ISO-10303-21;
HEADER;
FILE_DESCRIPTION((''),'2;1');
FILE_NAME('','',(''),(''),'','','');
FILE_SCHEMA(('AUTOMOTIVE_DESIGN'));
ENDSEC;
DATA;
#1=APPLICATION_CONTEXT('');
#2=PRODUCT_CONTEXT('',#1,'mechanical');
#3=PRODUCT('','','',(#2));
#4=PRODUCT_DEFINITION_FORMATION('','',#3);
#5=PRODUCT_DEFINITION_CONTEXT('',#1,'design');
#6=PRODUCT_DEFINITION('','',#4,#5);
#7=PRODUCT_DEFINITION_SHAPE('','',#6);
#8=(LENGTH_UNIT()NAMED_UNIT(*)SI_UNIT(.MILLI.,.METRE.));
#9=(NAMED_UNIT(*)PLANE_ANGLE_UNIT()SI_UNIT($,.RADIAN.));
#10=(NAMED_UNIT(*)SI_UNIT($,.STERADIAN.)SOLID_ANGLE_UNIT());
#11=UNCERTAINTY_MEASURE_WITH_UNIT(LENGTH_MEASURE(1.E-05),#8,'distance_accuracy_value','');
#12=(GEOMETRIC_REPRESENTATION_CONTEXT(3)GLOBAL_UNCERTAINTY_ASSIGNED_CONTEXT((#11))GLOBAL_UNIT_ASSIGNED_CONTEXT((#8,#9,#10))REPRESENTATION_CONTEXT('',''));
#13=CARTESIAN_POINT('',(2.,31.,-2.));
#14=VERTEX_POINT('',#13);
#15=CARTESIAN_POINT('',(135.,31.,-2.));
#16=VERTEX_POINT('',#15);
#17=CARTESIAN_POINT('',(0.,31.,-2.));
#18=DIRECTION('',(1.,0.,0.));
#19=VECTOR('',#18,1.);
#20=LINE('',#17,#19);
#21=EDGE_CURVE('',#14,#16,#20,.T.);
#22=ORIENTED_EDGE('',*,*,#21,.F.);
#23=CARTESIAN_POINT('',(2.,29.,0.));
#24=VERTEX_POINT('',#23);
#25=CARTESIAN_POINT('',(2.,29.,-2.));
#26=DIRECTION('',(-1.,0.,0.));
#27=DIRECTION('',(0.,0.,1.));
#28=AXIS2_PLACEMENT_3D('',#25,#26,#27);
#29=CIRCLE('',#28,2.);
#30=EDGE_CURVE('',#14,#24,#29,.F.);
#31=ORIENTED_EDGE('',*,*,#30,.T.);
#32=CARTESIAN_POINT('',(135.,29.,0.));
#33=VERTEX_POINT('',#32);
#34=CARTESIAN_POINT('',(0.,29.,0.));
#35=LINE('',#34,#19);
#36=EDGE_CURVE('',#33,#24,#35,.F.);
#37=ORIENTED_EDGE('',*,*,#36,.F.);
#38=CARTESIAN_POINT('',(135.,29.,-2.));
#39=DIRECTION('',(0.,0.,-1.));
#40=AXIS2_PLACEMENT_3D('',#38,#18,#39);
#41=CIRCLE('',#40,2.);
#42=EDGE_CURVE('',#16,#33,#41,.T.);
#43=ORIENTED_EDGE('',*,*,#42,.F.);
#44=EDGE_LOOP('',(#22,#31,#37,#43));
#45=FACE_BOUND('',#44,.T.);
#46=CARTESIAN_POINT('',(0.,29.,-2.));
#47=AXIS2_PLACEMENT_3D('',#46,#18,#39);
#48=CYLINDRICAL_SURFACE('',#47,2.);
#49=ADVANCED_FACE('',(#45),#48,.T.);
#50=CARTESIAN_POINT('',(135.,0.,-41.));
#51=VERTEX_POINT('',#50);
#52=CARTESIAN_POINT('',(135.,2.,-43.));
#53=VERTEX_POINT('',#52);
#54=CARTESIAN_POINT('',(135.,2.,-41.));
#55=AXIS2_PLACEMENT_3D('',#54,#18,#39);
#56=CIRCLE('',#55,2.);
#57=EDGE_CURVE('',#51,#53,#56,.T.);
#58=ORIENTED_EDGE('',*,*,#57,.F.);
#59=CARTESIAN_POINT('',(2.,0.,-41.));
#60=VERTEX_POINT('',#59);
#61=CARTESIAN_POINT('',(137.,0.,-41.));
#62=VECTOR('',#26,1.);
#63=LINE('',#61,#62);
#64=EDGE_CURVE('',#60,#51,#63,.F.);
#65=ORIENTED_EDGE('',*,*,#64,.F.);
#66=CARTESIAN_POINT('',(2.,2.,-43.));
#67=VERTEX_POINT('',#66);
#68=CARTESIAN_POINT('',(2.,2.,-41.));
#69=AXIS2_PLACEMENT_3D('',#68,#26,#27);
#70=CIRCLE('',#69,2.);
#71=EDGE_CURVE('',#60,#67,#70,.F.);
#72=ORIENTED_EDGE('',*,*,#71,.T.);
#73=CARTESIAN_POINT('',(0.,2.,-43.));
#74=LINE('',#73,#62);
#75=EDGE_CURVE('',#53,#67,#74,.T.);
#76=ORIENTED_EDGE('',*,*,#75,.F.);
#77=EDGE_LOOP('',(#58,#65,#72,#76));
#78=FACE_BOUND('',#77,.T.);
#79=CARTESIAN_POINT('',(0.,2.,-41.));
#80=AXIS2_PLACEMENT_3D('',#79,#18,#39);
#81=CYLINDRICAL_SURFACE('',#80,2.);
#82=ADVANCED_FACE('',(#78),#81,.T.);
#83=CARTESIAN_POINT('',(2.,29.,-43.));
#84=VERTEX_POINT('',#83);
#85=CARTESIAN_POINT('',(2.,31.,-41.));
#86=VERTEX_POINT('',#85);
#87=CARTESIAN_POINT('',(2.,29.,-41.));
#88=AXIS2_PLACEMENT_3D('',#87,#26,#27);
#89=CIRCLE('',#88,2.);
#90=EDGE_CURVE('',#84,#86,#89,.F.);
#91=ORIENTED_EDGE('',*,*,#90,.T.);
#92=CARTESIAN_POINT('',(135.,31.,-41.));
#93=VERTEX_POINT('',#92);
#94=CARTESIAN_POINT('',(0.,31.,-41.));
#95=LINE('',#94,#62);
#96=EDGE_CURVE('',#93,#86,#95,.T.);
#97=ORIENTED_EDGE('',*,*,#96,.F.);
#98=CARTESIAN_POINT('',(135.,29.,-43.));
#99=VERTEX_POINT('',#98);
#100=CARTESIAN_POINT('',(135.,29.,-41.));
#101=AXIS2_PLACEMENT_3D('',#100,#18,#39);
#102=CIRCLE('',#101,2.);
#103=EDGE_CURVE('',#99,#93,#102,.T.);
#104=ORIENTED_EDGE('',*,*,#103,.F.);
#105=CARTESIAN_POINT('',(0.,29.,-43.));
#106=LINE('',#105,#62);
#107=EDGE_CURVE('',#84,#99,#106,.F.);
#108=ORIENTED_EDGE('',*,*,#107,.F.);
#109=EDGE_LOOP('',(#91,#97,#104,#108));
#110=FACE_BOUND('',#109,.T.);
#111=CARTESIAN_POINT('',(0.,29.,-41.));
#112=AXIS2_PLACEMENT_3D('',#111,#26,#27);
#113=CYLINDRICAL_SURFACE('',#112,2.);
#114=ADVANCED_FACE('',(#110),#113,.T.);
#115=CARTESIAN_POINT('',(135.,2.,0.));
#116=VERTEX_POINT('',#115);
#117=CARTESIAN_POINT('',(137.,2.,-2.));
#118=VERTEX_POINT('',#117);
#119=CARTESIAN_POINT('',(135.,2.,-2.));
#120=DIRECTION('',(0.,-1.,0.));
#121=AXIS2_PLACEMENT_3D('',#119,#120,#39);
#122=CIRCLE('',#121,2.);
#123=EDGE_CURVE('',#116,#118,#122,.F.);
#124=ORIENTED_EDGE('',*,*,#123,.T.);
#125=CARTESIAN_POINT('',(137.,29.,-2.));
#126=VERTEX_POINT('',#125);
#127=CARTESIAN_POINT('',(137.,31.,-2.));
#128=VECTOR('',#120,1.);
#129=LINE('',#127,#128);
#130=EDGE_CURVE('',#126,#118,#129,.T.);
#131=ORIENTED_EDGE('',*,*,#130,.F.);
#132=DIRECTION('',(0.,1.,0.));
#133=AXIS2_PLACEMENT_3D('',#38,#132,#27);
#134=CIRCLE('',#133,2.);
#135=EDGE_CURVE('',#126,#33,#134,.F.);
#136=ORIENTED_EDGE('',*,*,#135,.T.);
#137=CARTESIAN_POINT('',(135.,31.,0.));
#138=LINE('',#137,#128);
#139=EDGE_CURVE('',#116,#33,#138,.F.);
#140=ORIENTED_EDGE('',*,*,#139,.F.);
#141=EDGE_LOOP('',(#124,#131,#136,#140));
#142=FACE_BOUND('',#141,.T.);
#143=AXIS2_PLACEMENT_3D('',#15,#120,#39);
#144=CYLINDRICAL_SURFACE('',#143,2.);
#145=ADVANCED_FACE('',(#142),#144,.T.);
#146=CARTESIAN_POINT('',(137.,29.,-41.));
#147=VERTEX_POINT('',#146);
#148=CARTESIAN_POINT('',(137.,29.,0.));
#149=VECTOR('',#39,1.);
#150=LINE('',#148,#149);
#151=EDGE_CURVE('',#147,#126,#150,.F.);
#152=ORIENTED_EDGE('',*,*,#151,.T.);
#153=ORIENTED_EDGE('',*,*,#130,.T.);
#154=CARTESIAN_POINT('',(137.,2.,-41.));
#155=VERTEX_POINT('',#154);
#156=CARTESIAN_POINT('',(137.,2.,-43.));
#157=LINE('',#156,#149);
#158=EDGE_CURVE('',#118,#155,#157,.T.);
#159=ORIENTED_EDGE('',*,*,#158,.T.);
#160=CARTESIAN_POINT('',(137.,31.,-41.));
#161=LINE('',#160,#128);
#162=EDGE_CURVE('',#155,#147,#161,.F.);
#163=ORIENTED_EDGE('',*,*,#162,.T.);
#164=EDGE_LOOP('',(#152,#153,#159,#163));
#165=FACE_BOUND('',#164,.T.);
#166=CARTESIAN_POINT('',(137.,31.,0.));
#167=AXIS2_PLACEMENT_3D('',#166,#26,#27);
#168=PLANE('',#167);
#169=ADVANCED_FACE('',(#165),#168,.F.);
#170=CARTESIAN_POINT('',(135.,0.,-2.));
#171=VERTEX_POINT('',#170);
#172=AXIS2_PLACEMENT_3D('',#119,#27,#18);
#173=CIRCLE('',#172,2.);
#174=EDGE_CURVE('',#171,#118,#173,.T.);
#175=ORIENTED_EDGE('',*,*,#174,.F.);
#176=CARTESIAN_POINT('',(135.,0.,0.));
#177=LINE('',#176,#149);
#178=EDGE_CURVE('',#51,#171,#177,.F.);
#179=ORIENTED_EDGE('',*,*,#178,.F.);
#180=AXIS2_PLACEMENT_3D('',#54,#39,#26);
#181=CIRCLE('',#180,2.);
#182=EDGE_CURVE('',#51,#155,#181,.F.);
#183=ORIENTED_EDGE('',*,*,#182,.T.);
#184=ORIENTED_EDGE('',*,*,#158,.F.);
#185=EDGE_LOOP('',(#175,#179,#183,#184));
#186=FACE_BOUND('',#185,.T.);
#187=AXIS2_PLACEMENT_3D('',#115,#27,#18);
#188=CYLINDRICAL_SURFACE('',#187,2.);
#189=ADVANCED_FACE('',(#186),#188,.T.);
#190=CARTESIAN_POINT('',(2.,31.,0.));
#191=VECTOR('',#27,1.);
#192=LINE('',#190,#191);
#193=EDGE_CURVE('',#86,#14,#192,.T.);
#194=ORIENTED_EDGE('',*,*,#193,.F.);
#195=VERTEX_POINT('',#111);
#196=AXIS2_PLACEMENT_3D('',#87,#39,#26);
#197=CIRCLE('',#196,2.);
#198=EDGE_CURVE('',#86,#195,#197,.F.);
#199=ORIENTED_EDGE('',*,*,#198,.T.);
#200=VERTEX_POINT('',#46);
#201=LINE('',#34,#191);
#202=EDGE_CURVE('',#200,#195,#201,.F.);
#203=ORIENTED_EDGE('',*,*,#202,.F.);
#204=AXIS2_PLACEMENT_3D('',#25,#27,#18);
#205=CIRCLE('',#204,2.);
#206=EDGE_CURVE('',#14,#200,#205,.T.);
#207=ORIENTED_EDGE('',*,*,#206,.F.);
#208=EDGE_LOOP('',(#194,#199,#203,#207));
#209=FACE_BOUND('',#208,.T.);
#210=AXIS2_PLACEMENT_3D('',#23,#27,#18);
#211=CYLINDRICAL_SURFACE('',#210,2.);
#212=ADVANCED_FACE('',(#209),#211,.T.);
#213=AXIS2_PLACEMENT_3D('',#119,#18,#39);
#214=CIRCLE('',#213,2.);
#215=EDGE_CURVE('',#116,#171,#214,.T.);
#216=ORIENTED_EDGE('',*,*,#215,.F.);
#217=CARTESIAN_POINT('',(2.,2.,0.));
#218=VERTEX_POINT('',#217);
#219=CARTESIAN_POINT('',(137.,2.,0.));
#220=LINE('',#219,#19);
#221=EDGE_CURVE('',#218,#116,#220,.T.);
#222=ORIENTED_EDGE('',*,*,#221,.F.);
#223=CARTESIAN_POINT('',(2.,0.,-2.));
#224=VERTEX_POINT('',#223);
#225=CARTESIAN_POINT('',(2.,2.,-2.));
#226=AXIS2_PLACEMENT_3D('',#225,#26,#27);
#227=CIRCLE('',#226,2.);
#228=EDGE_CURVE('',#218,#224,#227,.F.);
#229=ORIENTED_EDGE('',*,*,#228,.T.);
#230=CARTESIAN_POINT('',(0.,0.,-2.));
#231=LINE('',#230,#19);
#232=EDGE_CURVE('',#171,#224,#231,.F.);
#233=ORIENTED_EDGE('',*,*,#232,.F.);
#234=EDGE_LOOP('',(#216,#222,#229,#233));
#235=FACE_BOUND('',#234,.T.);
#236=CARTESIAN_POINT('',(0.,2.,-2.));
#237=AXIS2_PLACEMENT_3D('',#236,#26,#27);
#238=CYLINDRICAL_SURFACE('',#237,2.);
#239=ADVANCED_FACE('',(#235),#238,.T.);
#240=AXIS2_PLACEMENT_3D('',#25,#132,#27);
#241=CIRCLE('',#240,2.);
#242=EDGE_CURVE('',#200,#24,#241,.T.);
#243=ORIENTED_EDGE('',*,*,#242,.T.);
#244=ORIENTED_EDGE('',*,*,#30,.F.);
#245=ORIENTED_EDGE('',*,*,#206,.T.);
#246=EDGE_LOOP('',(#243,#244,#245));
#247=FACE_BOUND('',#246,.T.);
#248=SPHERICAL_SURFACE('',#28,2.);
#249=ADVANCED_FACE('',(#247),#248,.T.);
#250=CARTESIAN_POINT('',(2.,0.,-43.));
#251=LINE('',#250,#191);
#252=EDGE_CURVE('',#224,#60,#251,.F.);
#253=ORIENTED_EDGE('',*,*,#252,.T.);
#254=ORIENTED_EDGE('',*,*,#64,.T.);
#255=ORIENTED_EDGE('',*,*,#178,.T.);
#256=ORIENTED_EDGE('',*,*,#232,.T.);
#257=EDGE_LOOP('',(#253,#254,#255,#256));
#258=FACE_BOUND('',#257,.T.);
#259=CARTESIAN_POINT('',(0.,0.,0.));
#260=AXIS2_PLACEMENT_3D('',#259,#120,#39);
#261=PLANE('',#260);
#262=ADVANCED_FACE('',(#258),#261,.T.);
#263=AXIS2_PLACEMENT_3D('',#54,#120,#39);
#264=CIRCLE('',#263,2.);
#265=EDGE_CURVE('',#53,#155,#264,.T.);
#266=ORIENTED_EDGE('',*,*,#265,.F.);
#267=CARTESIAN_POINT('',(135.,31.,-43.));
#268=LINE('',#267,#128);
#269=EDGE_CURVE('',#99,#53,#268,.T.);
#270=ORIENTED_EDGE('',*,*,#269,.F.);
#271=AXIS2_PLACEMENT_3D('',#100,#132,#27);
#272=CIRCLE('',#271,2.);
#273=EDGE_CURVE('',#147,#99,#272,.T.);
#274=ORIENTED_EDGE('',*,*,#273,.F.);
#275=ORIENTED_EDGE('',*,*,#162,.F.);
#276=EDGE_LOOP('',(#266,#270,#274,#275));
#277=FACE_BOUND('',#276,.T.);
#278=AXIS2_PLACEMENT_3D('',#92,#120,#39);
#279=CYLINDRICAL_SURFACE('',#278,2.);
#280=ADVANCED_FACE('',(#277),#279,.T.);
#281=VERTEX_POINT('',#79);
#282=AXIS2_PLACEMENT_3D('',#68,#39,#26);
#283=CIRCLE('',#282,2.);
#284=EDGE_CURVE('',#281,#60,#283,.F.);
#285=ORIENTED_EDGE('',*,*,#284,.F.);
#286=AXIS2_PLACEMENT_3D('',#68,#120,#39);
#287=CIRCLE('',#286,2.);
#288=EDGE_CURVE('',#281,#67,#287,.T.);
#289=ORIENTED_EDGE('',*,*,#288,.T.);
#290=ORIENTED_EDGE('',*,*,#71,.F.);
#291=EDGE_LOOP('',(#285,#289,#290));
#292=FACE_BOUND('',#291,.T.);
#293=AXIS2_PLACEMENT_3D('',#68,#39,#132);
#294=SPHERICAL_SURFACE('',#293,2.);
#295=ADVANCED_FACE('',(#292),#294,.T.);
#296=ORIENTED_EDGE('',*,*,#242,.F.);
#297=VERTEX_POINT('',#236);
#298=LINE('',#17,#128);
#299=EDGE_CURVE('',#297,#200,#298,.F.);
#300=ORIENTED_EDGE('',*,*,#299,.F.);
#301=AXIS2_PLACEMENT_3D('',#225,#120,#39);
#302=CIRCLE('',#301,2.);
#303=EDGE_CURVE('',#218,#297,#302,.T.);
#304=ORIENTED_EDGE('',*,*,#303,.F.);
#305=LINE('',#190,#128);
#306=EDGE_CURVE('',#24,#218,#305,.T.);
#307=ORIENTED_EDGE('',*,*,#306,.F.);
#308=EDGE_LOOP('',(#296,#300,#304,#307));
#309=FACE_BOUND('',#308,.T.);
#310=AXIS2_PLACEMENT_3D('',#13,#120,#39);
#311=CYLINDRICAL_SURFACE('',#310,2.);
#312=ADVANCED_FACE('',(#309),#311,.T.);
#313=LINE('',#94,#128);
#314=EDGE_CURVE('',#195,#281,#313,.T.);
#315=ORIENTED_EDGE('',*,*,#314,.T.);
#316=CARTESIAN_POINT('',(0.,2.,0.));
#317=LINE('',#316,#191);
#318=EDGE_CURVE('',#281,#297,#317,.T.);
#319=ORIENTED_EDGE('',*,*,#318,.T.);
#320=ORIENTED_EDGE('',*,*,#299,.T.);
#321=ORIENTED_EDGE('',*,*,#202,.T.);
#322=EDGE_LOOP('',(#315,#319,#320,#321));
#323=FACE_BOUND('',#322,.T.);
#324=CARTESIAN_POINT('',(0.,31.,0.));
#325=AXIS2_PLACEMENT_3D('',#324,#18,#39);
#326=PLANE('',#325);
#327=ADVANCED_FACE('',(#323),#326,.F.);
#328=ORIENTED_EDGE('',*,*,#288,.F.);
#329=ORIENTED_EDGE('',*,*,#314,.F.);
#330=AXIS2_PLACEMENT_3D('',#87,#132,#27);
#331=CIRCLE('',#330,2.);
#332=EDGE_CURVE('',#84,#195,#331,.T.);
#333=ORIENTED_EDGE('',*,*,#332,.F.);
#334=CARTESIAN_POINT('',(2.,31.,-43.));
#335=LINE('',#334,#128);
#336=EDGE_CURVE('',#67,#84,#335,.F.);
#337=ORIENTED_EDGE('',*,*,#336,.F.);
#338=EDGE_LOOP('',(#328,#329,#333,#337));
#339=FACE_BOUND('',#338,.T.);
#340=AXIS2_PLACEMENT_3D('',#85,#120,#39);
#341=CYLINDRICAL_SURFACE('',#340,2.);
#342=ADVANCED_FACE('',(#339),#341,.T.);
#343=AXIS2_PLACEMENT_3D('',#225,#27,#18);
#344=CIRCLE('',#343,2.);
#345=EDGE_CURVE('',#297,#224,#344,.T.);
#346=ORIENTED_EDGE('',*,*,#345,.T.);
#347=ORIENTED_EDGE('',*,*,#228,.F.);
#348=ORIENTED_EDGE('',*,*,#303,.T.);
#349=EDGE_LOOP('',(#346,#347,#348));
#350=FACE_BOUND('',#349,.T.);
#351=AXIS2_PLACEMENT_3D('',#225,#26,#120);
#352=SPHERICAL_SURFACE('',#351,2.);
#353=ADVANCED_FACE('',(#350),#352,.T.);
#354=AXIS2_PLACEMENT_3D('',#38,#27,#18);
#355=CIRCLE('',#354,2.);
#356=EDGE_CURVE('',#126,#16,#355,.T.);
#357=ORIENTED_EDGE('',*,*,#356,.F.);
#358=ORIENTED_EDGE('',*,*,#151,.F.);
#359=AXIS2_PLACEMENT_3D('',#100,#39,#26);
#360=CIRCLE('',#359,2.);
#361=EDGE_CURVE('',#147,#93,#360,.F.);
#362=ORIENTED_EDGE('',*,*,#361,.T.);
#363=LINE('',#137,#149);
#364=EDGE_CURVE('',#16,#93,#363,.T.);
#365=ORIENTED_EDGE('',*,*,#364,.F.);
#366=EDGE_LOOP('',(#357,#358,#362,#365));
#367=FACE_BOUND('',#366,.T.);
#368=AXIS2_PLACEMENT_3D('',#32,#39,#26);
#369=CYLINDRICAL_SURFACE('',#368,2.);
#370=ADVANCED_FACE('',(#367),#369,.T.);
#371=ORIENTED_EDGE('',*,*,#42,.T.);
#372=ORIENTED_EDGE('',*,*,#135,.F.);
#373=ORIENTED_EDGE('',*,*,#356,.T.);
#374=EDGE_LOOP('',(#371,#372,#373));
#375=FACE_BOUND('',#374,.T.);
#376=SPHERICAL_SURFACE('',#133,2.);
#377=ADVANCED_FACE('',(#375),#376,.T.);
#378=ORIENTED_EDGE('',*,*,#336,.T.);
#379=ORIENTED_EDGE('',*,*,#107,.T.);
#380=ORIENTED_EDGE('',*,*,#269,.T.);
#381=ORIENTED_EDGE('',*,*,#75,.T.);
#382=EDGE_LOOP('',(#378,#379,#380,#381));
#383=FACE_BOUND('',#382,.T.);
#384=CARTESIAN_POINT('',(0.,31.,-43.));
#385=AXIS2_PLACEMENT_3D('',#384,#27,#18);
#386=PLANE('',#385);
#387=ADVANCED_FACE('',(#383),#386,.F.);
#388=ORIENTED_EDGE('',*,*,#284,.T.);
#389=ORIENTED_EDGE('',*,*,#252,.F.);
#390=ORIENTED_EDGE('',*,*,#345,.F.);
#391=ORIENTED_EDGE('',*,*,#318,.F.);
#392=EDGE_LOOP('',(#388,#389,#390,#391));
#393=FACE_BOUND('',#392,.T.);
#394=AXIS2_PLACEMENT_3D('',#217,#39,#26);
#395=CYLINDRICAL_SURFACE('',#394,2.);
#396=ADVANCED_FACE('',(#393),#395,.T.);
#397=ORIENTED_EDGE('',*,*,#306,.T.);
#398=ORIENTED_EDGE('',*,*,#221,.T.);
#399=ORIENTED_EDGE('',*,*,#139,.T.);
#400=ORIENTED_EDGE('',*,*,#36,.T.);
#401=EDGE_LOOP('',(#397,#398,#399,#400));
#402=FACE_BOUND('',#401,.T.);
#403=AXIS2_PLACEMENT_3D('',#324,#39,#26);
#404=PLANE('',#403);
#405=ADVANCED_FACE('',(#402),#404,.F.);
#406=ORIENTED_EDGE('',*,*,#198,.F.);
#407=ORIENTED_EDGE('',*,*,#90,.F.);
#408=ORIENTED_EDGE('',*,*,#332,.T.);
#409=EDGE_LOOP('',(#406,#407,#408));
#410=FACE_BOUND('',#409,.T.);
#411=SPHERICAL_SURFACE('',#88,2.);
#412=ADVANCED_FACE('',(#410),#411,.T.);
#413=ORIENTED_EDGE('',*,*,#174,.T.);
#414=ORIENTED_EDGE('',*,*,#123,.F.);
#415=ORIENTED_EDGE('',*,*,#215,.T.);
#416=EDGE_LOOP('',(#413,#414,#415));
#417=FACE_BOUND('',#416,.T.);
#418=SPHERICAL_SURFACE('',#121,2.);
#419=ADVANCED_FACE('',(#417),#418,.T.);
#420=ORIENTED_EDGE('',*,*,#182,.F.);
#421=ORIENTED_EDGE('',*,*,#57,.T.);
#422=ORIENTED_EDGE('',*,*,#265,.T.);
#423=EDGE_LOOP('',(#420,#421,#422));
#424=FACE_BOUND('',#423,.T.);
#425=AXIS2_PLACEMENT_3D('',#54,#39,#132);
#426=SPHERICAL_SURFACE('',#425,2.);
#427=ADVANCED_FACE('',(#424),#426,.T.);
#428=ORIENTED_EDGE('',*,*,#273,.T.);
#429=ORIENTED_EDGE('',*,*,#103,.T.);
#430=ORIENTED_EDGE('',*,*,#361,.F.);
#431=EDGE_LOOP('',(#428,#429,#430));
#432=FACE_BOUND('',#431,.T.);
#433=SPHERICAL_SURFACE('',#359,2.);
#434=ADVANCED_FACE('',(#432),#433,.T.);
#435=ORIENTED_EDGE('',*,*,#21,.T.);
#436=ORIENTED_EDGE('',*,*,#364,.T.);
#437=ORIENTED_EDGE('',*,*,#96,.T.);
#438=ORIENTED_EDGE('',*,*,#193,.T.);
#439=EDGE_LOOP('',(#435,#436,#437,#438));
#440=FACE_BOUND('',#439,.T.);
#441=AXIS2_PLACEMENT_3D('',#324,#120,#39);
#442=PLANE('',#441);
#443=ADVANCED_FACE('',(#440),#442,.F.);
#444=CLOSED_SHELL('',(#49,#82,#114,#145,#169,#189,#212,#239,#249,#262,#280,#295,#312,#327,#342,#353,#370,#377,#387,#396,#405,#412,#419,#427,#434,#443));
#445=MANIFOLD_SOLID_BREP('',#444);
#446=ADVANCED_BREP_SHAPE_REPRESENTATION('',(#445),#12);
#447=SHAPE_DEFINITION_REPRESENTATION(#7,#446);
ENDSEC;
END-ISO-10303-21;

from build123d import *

# Parameters (mm, degrees)
SKETCH1_W           = 137
SKETCH1_H           = 43
BOSS_EXTRUDE1_DEPTH = 31
FILLET1_R           = 2


with BuildPart() as part:
    # Sketch1 → Boss-Extrude1 (new body)
    with BuildSketch(Plane(origin=(0, 0, 0), x_dir=(1, 0, 0), z_dir=(0, 1, 0))):
        with Locations((68.5, 21.5)):
            Rectangle(SKETCH1_W, SKETCH1_H)
    extrude(amount=BOSS_EXTRUDE1_DEPTH)

    # Fillet1
    fillet1_edges = [part.edges().sort_by_distance(p)[0] for p in [
        (137, 31, -21.5),
        (68.5, 31, -43),
        (0, 31, -21.5),
        (68.5, 0, -43),
        (137, 0, -21.5),
        (68.5, 0, 0),
        (0, 0, -21.5),
        (0, 15.5, -43),
        (137, 15.5, -43),
        (137, 15.5, 0),
        (0, 15.5, 0),
        (68.5, 31, 0),
    ]]
    fillet(fillet1_edges, radius=FILLET1_R)


solid = part.part
